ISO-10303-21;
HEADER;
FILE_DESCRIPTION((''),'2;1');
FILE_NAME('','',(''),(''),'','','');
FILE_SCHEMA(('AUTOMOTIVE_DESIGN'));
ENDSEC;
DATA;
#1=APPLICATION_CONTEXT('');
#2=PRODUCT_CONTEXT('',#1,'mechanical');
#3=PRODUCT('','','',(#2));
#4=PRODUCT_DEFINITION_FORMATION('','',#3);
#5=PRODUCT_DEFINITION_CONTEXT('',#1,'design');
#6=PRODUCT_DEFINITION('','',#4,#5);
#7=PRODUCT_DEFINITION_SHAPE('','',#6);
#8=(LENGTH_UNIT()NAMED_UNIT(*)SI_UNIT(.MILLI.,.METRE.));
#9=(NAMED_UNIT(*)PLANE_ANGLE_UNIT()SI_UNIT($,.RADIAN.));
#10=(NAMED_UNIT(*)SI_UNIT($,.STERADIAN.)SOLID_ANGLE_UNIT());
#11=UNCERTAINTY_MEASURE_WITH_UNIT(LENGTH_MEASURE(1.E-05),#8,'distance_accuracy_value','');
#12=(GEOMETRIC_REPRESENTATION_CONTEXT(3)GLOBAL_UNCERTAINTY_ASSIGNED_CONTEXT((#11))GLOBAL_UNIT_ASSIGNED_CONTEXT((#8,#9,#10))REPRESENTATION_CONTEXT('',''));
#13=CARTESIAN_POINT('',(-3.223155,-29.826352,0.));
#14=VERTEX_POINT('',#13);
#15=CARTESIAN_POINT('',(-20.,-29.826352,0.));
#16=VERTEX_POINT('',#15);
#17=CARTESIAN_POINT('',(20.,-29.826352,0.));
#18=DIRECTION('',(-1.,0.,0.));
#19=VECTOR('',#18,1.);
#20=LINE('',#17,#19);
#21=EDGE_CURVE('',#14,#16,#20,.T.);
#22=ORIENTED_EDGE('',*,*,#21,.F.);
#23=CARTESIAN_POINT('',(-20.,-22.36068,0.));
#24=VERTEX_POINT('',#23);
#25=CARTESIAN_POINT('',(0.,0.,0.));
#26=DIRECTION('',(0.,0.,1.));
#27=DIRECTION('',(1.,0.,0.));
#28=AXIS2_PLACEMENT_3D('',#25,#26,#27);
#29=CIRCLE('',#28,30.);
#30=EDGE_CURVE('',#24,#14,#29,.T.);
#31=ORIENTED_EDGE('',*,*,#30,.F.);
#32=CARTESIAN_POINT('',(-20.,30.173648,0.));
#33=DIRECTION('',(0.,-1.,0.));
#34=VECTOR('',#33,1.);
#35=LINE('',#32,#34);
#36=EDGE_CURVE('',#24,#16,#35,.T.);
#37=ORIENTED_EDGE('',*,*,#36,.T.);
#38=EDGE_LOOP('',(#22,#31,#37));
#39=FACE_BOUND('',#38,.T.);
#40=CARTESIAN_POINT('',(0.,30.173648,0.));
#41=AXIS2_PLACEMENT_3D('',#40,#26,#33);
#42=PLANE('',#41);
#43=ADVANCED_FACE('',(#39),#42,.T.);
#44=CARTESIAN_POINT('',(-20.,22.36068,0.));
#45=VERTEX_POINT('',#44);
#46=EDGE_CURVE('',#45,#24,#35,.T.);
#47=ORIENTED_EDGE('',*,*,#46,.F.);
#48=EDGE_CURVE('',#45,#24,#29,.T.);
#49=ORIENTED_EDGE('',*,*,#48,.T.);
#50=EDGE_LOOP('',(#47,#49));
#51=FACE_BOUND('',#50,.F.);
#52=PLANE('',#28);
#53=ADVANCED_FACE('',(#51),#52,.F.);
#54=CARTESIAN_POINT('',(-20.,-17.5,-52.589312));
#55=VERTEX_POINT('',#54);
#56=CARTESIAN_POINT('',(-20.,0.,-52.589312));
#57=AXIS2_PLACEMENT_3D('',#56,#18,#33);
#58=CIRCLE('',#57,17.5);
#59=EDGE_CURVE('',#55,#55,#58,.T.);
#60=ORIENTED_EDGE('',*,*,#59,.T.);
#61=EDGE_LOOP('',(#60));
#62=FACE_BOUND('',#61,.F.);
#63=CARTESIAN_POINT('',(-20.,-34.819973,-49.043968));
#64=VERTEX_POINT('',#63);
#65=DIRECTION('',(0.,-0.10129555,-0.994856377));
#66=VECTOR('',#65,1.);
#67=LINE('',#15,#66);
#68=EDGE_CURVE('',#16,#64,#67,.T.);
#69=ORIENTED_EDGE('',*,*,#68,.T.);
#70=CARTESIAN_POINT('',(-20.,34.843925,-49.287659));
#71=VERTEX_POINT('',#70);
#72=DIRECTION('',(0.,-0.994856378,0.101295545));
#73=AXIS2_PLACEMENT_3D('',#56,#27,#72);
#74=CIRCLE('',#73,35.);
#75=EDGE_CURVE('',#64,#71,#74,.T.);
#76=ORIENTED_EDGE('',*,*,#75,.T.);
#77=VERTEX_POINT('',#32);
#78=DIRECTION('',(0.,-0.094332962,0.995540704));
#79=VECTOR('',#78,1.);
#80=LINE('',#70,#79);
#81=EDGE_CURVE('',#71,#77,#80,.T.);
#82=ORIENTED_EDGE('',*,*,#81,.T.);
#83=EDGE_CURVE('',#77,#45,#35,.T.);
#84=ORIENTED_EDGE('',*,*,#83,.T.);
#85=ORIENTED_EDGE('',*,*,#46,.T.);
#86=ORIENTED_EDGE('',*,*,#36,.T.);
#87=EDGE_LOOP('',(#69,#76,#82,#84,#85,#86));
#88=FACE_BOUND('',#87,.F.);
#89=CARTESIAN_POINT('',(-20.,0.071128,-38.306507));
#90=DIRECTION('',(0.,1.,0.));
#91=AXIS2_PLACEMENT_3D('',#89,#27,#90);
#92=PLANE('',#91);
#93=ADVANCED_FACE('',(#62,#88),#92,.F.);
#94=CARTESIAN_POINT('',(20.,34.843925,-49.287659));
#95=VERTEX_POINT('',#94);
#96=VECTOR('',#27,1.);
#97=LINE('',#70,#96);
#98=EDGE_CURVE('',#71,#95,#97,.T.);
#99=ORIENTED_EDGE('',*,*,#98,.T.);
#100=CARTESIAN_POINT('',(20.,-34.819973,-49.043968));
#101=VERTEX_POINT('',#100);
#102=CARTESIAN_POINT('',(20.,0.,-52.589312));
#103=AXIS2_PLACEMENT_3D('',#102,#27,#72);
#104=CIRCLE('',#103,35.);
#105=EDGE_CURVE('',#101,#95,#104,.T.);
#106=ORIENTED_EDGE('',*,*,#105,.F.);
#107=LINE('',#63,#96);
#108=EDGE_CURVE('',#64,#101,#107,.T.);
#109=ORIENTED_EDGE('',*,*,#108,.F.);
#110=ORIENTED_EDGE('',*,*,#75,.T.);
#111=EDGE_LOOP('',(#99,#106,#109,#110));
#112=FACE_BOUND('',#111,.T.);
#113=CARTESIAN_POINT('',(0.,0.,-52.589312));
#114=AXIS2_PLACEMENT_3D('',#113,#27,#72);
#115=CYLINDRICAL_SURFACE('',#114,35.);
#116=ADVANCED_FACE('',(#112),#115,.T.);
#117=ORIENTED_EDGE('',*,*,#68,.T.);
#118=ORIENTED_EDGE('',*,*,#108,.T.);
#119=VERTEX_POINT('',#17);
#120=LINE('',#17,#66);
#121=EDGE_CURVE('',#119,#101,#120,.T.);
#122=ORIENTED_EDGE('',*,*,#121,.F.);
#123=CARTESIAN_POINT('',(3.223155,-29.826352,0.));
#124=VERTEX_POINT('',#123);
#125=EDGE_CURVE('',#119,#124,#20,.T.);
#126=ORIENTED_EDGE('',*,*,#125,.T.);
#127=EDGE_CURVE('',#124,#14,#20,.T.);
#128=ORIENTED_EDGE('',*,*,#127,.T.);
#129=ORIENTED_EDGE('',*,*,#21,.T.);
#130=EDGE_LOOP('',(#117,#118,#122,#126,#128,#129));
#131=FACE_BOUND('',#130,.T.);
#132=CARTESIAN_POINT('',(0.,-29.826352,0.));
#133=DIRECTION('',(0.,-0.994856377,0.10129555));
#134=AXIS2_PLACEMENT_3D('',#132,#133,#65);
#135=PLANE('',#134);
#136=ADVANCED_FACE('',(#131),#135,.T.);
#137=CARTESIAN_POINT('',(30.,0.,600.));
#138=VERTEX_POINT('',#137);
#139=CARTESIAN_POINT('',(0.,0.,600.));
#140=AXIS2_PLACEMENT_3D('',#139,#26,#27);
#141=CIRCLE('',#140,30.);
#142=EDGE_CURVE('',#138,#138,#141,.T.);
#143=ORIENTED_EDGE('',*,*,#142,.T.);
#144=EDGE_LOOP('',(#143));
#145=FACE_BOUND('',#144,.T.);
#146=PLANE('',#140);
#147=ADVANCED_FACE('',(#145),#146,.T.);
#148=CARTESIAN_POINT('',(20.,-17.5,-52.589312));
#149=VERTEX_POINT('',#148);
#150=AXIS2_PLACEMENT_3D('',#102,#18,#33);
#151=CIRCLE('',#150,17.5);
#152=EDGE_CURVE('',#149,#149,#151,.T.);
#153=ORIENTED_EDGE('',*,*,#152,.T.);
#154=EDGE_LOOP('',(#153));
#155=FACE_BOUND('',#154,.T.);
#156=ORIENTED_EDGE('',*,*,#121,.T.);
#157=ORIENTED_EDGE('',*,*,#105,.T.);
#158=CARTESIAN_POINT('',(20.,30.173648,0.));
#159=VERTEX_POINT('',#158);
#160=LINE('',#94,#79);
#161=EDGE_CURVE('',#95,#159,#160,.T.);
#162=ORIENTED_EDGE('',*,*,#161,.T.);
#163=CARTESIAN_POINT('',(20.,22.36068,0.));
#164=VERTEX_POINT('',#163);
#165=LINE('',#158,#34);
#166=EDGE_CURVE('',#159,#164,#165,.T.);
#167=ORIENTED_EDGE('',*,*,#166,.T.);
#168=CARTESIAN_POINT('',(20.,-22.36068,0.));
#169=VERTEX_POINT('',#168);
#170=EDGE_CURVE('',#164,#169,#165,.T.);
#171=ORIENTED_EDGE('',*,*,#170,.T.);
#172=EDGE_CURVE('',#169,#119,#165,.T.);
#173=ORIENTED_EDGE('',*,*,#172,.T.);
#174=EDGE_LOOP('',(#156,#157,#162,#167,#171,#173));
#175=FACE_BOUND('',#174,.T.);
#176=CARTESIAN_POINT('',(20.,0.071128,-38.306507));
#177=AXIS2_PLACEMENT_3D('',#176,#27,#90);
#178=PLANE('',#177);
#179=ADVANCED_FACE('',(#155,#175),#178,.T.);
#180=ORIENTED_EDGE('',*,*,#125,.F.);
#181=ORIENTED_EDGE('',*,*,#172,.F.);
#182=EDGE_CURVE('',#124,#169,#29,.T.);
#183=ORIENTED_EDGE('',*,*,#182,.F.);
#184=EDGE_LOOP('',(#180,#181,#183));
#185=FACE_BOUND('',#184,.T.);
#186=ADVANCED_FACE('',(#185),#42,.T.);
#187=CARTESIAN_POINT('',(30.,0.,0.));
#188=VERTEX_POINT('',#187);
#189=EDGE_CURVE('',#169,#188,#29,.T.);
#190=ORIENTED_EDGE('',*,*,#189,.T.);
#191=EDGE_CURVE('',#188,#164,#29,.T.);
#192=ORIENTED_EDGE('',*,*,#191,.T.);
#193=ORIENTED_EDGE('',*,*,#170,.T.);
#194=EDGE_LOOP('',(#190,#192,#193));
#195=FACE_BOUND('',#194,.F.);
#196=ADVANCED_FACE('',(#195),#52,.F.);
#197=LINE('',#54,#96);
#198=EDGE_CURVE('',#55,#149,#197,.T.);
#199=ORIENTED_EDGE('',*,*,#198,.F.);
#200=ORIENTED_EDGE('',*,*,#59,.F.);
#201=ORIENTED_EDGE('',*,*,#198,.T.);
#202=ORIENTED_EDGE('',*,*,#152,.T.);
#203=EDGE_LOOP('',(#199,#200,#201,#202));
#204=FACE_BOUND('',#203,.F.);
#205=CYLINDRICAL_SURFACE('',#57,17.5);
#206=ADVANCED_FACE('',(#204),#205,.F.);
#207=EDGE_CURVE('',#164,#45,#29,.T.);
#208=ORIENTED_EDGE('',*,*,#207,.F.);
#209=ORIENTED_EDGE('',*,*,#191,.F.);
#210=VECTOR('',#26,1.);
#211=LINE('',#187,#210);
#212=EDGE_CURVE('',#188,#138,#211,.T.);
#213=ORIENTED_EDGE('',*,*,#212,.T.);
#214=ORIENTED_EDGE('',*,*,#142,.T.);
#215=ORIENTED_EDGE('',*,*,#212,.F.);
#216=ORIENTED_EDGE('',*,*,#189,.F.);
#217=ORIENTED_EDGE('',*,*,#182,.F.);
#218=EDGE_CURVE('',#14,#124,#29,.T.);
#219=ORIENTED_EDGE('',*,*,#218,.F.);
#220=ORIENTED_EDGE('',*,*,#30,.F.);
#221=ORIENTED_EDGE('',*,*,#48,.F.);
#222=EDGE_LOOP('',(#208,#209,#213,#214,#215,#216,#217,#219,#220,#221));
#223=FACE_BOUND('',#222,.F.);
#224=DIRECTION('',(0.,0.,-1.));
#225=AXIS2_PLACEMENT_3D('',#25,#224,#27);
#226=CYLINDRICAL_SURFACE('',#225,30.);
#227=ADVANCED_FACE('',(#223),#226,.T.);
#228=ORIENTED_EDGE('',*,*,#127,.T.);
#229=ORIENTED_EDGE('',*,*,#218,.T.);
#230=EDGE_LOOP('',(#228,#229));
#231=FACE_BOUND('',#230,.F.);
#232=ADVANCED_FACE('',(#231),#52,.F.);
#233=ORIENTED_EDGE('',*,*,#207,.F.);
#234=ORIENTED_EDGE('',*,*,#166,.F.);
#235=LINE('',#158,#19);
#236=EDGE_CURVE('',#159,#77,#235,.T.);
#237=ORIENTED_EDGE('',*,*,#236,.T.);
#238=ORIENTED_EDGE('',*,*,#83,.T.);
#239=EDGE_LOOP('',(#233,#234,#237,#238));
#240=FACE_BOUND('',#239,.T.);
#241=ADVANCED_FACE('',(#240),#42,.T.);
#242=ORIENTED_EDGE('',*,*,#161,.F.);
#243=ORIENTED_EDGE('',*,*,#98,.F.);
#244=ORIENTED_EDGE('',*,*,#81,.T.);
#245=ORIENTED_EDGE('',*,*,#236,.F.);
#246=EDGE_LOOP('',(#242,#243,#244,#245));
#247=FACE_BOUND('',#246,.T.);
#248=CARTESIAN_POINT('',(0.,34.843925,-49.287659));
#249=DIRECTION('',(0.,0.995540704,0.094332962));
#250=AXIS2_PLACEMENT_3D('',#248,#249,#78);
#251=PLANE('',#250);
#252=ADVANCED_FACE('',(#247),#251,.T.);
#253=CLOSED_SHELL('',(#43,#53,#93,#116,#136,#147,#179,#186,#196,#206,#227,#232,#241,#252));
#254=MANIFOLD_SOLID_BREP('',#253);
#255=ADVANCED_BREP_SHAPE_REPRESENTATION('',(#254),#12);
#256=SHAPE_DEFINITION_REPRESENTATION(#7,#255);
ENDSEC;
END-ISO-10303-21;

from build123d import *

# Parameters (mm, degrees)
F0_R     = 30
F1_DEPTH = 600
F3_DEPTH = 20
F4_R     = 17.5
F5_DEPTH = 50


with BuildPart() as f1:
    # F0 (on Top) → F1 (new body)
    with BuildSketch(Plane.XY):
        Circle(F0_R)
    extrude(amount=F1_DEPTH)

    # F2 (on Right) → F3 (join, symmetric)
    with BuildSketch(Plane.YZ):
        with BuildLine():
            Line((-29.826352, 0), (-34.819973, -49.043968))
            ThreePointArc((-34.819973, -49.043968), (-0.122433, -87.589098), (34.843925, -49.287659))
            Line((34.843925, -49.287659), (30.173648, 0))
            Line((30.173648, 0), (-29.826352, 0))
        make_face()
    extrude(amount=F3_DEPTH, both=True)

    # F4 (on face) → F5 (cut)
    with BuildSketch(Plane(origin=(-20, 0, 0), x_dir=(0, -1, 0), z_dir=(-1, 0, 0))):
        with Locations((0, -52.589312)):
            Circle(F4_R)
    extrude(amount=-F5_DEPTH, mode=Mode.SUBTRACT)


solid = f1.part
